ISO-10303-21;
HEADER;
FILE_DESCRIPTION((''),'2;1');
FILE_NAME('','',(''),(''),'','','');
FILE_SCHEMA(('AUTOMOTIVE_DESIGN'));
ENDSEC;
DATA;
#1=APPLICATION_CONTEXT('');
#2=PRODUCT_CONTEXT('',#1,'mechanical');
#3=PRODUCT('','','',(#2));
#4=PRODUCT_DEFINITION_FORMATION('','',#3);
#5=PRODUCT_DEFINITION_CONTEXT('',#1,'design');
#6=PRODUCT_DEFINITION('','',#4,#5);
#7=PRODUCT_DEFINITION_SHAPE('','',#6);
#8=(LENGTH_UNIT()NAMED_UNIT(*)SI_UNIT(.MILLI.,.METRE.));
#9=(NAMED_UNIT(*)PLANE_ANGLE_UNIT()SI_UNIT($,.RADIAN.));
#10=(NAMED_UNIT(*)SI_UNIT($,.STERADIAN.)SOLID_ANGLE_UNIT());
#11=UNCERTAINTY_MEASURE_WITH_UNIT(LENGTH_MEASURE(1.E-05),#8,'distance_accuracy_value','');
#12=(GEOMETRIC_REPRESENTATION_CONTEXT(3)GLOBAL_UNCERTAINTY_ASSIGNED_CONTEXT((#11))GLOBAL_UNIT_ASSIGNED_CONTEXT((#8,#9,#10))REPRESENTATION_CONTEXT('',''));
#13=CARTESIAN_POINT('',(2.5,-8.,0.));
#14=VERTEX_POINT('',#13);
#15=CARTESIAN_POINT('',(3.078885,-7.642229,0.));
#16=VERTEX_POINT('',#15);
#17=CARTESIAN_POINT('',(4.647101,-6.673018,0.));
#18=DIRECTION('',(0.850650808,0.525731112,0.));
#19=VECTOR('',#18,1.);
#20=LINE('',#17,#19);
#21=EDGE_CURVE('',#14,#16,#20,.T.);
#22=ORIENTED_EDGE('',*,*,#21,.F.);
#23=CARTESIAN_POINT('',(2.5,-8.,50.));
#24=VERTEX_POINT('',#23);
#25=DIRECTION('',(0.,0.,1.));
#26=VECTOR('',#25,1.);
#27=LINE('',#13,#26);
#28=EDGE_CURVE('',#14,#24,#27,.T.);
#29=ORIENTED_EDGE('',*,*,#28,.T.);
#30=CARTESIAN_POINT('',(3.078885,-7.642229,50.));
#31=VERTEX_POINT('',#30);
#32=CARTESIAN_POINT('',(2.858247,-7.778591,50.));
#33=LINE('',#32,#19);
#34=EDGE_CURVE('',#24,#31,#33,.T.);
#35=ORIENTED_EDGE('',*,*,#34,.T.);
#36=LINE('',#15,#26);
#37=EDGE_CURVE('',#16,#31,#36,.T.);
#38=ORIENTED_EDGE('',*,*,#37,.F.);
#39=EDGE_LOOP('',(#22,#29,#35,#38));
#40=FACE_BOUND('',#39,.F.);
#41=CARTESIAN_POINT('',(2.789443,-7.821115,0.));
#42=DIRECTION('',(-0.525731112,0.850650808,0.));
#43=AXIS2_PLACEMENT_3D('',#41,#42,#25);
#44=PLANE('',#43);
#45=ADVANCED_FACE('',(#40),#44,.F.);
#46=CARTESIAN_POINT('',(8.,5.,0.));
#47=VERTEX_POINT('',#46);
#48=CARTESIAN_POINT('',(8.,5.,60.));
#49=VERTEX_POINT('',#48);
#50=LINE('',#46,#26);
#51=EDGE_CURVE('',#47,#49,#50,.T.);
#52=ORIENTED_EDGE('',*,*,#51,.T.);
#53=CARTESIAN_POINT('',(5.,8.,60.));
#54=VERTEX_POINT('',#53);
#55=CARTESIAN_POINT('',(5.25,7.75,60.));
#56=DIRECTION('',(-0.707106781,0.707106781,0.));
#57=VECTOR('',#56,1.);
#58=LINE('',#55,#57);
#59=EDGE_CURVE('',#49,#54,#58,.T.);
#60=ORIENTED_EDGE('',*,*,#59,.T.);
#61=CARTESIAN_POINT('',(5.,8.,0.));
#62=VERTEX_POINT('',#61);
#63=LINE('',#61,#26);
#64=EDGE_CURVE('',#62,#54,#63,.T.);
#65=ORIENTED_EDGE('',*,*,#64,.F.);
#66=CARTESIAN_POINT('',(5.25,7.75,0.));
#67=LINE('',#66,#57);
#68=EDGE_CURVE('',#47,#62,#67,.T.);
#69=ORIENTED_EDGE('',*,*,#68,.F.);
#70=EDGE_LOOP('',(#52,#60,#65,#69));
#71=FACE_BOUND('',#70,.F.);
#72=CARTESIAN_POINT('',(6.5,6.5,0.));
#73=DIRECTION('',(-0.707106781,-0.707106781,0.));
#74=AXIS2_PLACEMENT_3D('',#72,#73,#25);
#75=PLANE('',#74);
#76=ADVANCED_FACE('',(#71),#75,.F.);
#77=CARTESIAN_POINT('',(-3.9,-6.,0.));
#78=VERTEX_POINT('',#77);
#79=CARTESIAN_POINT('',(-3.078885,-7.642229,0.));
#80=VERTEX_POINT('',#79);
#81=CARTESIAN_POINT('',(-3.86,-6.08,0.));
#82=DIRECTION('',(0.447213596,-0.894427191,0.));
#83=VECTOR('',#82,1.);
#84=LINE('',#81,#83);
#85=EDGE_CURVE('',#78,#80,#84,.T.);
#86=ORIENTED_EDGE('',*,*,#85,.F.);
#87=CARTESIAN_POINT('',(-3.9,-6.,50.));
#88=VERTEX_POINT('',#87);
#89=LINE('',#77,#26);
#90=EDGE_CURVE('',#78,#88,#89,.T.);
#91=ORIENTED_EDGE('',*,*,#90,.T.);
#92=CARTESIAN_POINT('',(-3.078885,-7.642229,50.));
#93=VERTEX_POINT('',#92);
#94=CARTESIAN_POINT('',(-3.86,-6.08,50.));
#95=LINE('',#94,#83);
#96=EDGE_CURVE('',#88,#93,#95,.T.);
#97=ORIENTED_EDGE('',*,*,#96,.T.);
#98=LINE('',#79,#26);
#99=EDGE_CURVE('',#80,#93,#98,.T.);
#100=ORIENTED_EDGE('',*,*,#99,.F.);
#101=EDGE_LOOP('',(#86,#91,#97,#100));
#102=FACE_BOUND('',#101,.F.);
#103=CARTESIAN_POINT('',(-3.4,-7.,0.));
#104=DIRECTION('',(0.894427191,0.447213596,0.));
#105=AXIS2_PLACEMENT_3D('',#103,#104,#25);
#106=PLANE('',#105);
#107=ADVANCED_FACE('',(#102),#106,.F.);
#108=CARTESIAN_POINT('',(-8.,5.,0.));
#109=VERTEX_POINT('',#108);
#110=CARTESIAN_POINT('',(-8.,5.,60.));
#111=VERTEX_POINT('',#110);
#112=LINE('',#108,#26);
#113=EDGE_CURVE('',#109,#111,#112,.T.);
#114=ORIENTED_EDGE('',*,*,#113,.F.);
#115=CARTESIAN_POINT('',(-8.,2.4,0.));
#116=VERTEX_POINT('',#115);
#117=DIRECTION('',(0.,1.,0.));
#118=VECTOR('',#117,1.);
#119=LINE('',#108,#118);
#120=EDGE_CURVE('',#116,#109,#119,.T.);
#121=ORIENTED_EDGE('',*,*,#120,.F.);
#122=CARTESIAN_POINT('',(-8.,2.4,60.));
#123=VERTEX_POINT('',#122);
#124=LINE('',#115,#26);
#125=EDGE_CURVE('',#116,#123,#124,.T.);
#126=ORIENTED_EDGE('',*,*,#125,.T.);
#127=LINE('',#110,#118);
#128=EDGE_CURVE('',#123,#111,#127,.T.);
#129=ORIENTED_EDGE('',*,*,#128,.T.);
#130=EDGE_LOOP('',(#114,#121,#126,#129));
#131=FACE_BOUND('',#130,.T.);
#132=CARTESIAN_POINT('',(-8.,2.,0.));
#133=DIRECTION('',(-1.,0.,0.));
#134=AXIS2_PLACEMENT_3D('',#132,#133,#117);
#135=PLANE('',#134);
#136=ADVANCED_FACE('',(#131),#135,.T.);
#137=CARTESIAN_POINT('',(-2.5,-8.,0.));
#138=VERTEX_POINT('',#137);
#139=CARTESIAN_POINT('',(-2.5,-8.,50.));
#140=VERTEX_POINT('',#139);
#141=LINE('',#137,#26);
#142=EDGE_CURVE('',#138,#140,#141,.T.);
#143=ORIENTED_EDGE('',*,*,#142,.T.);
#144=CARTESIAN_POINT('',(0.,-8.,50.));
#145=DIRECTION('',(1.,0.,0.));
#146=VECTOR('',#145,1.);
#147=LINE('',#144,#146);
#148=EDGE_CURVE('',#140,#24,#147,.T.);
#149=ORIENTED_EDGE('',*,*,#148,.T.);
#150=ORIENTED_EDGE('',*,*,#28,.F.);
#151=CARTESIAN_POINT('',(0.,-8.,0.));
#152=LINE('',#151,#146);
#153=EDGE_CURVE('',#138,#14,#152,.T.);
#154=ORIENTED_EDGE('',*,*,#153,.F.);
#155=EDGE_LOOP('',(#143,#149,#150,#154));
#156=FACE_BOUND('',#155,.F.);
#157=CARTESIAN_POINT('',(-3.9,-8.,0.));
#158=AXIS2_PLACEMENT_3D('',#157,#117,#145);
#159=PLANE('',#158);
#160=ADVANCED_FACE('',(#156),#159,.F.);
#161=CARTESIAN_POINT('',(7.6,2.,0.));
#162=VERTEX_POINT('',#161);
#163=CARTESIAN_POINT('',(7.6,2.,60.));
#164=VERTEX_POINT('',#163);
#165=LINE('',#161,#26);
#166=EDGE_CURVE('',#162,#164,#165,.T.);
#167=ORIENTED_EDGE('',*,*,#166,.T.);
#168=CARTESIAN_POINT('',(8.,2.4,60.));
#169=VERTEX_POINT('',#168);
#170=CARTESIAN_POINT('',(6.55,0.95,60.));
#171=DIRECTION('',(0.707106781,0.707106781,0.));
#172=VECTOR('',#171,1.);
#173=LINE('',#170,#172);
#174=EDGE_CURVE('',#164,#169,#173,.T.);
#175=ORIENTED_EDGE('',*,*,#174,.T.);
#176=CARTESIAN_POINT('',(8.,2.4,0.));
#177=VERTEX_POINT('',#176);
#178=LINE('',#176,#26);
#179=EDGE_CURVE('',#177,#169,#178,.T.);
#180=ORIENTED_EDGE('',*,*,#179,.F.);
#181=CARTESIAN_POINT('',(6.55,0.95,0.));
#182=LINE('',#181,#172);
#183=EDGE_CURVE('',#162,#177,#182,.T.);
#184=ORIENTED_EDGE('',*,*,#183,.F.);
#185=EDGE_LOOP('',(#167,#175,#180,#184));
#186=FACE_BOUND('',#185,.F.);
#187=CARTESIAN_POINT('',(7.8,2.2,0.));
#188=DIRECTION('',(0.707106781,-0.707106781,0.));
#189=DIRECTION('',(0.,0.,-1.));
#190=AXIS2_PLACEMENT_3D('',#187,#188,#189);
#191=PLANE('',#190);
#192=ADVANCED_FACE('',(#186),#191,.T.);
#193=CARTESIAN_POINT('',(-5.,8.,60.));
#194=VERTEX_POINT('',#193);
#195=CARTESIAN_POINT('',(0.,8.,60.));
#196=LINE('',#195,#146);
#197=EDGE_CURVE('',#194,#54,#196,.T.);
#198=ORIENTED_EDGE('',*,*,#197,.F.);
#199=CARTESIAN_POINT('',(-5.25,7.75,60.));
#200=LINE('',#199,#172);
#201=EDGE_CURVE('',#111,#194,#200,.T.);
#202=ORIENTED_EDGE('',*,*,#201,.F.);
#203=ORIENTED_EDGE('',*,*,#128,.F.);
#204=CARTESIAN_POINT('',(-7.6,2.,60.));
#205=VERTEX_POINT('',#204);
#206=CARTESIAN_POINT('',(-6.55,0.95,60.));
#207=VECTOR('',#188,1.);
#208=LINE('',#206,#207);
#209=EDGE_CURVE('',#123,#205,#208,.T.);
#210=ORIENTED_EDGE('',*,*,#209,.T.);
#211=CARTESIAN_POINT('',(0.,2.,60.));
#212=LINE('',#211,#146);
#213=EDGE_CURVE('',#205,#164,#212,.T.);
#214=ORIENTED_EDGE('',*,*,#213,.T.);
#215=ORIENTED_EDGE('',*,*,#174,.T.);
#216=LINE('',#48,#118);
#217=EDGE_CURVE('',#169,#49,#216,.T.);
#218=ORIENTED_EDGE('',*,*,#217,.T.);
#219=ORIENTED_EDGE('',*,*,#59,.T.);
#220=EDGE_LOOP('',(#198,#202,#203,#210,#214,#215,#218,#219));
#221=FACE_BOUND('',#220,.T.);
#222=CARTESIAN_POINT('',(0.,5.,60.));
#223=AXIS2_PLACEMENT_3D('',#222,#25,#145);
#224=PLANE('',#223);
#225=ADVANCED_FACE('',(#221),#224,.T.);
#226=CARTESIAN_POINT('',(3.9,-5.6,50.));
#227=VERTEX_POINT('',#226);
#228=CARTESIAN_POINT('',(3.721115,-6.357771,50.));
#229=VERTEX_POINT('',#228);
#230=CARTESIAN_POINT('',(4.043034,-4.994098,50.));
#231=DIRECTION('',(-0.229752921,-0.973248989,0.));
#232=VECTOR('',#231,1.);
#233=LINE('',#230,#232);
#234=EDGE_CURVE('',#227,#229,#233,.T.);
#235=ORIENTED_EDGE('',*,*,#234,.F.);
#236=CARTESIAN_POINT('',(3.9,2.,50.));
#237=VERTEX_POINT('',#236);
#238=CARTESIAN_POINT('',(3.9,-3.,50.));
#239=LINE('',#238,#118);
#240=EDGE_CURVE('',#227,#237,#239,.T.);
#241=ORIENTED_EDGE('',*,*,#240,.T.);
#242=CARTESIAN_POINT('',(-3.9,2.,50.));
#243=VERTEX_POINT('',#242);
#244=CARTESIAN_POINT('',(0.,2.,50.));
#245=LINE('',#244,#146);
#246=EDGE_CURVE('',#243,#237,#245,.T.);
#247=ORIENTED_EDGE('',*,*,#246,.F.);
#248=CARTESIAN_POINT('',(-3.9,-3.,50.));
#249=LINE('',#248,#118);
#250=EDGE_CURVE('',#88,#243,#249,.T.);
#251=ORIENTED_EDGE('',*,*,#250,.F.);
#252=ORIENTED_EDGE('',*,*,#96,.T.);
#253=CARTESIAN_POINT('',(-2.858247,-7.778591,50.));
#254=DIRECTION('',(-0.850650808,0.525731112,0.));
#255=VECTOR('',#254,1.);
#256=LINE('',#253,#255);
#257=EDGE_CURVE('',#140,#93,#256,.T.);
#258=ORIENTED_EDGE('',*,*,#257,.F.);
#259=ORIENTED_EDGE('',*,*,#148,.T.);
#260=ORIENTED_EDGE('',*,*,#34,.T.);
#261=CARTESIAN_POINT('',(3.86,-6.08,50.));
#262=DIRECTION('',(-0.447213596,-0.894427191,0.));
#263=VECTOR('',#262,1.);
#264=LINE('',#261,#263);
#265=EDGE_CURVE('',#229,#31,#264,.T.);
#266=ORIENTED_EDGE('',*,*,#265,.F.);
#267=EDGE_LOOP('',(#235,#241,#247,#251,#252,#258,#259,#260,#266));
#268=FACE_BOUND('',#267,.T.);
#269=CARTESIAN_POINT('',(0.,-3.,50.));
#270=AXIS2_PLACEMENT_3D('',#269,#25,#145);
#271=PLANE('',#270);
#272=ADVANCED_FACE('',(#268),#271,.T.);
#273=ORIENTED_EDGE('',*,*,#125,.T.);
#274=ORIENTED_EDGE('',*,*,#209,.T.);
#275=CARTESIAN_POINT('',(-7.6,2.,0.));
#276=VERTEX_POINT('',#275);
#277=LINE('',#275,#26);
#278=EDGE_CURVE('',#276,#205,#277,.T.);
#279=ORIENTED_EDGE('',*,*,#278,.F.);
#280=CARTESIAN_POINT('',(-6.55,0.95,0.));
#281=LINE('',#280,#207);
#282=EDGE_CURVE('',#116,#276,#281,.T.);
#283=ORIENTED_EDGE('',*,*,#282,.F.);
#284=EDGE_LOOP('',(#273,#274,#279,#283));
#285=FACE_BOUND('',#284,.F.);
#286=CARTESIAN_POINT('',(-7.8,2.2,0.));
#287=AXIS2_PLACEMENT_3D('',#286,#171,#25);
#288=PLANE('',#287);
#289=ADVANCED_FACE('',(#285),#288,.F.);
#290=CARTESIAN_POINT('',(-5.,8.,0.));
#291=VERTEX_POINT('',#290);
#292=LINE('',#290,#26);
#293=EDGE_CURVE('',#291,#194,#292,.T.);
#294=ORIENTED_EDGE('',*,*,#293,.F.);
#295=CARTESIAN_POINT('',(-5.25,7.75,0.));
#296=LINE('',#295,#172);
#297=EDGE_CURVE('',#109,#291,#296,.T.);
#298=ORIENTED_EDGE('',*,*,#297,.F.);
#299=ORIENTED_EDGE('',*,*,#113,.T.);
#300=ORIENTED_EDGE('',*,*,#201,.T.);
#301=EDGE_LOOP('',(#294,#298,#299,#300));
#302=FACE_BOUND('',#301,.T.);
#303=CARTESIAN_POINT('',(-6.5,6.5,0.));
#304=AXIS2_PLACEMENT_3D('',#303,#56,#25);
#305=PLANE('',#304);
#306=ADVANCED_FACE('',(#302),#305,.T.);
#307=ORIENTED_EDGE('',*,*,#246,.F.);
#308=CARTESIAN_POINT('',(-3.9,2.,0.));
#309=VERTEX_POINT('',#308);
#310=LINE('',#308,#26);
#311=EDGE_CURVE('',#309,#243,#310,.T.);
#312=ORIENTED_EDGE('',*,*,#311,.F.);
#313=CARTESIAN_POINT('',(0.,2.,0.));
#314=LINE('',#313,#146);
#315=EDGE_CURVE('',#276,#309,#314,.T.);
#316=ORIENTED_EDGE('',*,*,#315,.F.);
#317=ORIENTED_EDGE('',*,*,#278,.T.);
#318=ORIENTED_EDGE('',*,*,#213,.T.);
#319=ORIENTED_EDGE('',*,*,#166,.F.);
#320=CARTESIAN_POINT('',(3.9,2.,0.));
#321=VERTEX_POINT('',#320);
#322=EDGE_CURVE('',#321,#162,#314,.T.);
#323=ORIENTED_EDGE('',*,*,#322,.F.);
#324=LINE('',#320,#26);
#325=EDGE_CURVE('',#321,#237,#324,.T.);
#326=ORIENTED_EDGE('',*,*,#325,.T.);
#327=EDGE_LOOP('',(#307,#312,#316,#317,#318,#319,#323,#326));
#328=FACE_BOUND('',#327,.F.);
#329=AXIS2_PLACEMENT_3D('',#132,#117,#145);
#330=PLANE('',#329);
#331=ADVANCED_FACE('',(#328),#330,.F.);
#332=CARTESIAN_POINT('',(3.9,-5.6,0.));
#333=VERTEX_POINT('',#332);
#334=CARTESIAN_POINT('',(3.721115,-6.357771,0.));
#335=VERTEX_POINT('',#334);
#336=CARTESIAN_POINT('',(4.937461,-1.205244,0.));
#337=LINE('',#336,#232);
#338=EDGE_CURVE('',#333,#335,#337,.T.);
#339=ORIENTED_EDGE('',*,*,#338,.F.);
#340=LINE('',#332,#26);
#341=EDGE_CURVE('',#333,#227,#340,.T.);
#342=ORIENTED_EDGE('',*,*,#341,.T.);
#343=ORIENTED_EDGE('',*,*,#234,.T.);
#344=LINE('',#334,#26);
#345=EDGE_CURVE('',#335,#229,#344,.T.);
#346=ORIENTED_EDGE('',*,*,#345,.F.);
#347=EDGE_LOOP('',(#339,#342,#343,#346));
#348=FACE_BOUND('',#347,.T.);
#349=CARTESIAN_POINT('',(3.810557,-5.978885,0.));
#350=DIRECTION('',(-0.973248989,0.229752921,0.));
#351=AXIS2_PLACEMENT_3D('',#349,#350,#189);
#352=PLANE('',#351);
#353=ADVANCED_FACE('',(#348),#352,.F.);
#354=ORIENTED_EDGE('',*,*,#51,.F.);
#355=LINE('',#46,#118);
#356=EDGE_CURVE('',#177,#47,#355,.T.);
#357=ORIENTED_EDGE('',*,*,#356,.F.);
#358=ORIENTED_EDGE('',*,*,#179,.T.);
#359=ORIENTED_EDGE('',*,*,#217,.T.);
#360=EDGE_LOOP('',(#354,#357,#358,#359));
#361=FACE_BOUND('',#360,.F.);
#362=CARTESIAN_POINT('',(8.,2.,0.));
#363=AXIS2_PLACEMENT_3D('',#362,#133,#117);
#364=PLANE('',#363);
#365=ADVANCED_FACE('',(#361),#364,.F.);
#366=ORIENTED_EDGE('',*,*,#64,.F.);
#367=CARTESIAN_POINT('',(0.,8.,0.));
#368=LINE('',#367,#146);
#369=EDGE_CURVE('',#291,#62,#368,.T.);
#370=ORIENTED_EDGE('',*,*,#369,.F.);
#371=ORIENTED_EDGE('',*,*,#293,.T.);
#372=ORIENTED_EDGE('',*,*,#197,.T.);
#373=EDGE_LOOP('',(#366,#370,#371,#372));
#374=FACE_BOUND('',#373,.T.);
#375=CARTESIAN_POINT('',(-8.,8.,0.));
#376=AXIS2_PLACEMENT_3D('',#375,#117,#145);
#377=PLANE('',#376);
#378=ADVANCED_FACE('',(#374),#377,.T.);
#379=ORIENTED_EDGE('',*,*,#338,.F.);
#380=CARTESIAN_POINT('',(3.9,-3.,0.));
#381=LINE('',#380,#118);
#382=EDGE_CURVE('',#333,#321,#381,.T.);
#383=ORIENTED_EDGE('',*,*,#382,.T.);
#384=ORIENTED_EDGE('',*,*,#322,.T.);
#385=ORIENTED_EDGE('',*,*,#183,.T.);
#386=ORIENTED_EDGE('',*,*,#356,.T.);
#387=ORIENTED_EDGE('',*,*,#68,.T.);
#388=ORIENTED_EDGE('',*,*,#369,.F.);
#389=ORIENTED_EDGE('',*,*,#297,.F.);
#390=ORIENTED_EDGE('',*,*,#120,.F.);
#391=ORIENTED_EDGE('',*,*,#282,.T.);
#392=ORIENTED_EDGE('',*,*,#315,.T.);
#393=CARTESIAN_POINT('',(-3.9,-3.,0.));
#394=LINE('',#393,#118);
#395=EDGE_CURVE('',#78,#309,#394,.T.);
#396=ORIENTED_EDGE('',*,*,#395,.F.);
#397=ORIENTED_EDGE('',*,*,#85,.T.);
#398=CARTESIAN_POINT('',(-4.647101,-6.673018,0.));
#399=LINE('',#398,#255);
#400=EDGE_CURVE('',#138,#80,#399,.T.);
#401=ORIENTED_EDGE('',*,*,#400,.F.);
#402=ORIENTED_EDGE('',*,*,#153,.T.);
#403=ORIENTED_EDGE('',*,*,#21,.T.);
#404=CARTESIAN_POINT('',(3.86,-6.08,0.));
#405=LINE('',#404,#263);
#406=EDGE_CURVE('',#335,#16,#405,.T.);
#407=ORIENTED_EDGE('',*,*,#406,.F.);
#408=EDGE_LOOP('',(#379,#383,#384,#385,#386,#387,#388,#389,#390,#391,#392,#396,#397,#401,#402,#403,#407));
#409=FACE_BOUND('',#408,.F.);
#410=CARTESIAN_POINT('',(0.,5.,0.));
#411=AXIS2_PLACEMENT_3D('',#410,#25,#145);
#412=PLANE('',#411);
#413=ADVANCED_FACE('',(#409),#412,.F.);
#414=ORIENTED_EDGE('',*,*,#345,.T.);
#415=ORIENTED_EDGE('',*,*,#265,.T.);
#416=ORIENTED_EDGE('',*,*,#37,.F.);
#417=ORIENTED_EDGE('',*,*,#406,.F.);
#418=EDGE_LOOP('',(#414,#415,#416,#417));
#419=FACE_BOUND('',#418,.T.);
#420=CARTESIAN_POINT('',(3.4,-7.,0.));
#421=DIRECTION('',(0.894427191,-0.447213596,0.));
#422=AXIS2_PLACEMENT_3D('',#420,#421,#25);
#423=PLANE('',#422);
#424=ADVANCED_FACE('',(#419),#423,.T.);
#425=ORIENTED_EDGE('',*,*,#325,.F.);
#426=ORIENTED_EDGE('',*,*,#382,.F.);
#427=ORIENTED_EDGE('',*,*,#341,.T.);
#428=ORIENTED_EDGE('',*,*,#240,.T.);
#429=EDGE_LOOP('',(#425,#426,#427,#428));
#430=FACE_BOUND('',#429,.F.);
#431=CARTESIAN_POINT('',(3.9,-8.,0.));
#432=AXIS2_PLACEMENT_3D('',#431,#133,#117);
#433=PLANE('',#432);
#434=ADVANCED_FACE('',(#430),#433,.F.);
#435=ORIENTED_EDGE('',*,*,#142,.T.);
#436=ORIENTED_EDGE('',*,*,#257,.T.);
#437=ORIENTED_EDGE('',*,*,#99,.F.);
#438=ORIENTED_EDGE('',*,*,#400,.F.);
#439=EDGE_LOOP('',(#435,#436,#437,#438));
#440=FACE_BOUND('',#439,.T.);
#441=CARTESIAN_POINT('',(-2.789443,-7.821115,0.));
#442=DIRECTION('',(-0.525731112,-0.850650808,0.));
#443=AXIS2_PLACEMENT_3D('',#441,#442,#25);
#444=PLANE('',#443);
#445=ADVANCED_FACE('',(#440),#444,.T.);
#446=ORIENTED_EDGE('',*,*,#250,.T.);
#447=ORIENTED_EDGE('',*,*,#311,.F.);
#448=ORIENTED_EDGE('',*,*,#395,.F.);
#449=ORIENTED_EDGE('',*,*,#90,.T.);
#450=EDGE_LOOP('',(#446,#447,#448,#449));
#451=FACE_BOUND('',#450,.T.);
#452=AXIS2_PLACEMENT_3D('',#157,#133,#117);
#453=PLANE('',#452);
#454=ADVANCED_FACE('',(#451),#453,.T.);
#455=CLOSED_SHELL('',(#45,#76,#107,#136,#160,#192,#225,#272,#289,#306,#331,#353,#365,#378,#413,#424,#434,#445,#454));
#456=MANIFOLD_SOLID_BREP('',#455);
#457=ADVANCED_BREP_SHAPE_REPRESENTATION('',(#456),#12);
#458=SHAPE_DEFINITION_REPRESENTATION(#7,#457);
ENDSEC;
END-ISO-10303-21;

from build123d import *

# Parameters (mm, degrees)
BOX016_W                 = 16
BOX016_H                 = 6
BOX016_DEPTH             = 60
CHAMFER002001016_SIZE    = 3
BOX017_W                 = 7.8
BOX017_H                 = 10
BOX017_DEPTH             = 50
CHAMFER002001017_1_SIZE2 = 1
CHAMFER002001017_1_SIZE  = 2
CHAMFER002001017_2_SIZE2 = 1
CHAMFER002001017_2_SIZE  = 2
CHAMFER002001018_SIZE    = 0.4


with BuildPart() as chamfer002001016:
    # Box016 → Box016 (new body)
    with BuildSketch(Plane(origin=(-8, 2, 0), x_dir=(1, 0, 0), z_dir=(0, 0, 1))):
        with Locations((8, 3)):
            Rectangle(BOX016_W, BOX016_H)
    extrude(amount=BOX016_DEPTH)

    # Chamfer002001016
    chamfer002001016_edges = [chamfer002001016.edges().sort_by_distance(p)[0] for p in [
        (-8, 8, 30),
        (8, 8, 30),
    ]]
    chamfer(chamfer002001016_edges, length=CHAMFER002001016_SIZE)


with BuildPart() as chamfer002001018:
    # Box017 → Box017 (new body)
    with BuildSketch(Plane(origin=(-3.9, -8, 0), x_dir=(1, 0, 0), z_dir=(0, 0, 1))):
        with Locations((3.9, 5)):
            Rectangle(BOX017_W, BOX017_H)
    extrude(amount=BOX017_DEPTH)

    # Chamfer002001017 1
    chamfer002001017_1_edges = [chamfer002001018.edges().sort_by_distance(p)[0] for p in [
        (3.9, -8, 25),
    ]]
    chamfer002001017_1_side = chamfer002001018.faces().sort_by_distance((3.9, -3, 25))[0]
    chamfer(chamfer002001017_1_edges, length=CHAMFER002001017_1_SIZE, length2=CHAMFER002001017_1_SIZE2, reference=chamfer002001017_1_side)

    # Chamfer002001017 2
    chamfer002001017_2_edges = [chamfer002001018.edges().sort_by_distance(p)[0] for p in [
        (-3.9, -8, 25),
    ]]
    chamfer002001017_2_side = chamfer002001018.faces().sort_by_distance((-3.9, -3, 25))[0]
    chamfer(chamfer002001017_2_edges, length=CHAMFER002001017_2_SIZE, length2=CHAMFER002001017_2_SIZE2, reference=chamfer002001017_2_side)

    # Fusion003012003003: union Chamfer002001016
    add(chamfer002001016.part)

    # Chamfer002001018
    chamfer002001018_edges = [chamfer002001018.edges().sort_by_distance(p)[0] for p in [
        (-8, 2, 30),
        (8, 2, 30),
        (3.9, -6, 25),
        (-2.9, -8, 25),
        (2.9, -8, 25),
    ]]
    chamfer(chamfer002001018_edges, length=CHAMFER002001018_SIZE)


solid = chamfer002001018.part
